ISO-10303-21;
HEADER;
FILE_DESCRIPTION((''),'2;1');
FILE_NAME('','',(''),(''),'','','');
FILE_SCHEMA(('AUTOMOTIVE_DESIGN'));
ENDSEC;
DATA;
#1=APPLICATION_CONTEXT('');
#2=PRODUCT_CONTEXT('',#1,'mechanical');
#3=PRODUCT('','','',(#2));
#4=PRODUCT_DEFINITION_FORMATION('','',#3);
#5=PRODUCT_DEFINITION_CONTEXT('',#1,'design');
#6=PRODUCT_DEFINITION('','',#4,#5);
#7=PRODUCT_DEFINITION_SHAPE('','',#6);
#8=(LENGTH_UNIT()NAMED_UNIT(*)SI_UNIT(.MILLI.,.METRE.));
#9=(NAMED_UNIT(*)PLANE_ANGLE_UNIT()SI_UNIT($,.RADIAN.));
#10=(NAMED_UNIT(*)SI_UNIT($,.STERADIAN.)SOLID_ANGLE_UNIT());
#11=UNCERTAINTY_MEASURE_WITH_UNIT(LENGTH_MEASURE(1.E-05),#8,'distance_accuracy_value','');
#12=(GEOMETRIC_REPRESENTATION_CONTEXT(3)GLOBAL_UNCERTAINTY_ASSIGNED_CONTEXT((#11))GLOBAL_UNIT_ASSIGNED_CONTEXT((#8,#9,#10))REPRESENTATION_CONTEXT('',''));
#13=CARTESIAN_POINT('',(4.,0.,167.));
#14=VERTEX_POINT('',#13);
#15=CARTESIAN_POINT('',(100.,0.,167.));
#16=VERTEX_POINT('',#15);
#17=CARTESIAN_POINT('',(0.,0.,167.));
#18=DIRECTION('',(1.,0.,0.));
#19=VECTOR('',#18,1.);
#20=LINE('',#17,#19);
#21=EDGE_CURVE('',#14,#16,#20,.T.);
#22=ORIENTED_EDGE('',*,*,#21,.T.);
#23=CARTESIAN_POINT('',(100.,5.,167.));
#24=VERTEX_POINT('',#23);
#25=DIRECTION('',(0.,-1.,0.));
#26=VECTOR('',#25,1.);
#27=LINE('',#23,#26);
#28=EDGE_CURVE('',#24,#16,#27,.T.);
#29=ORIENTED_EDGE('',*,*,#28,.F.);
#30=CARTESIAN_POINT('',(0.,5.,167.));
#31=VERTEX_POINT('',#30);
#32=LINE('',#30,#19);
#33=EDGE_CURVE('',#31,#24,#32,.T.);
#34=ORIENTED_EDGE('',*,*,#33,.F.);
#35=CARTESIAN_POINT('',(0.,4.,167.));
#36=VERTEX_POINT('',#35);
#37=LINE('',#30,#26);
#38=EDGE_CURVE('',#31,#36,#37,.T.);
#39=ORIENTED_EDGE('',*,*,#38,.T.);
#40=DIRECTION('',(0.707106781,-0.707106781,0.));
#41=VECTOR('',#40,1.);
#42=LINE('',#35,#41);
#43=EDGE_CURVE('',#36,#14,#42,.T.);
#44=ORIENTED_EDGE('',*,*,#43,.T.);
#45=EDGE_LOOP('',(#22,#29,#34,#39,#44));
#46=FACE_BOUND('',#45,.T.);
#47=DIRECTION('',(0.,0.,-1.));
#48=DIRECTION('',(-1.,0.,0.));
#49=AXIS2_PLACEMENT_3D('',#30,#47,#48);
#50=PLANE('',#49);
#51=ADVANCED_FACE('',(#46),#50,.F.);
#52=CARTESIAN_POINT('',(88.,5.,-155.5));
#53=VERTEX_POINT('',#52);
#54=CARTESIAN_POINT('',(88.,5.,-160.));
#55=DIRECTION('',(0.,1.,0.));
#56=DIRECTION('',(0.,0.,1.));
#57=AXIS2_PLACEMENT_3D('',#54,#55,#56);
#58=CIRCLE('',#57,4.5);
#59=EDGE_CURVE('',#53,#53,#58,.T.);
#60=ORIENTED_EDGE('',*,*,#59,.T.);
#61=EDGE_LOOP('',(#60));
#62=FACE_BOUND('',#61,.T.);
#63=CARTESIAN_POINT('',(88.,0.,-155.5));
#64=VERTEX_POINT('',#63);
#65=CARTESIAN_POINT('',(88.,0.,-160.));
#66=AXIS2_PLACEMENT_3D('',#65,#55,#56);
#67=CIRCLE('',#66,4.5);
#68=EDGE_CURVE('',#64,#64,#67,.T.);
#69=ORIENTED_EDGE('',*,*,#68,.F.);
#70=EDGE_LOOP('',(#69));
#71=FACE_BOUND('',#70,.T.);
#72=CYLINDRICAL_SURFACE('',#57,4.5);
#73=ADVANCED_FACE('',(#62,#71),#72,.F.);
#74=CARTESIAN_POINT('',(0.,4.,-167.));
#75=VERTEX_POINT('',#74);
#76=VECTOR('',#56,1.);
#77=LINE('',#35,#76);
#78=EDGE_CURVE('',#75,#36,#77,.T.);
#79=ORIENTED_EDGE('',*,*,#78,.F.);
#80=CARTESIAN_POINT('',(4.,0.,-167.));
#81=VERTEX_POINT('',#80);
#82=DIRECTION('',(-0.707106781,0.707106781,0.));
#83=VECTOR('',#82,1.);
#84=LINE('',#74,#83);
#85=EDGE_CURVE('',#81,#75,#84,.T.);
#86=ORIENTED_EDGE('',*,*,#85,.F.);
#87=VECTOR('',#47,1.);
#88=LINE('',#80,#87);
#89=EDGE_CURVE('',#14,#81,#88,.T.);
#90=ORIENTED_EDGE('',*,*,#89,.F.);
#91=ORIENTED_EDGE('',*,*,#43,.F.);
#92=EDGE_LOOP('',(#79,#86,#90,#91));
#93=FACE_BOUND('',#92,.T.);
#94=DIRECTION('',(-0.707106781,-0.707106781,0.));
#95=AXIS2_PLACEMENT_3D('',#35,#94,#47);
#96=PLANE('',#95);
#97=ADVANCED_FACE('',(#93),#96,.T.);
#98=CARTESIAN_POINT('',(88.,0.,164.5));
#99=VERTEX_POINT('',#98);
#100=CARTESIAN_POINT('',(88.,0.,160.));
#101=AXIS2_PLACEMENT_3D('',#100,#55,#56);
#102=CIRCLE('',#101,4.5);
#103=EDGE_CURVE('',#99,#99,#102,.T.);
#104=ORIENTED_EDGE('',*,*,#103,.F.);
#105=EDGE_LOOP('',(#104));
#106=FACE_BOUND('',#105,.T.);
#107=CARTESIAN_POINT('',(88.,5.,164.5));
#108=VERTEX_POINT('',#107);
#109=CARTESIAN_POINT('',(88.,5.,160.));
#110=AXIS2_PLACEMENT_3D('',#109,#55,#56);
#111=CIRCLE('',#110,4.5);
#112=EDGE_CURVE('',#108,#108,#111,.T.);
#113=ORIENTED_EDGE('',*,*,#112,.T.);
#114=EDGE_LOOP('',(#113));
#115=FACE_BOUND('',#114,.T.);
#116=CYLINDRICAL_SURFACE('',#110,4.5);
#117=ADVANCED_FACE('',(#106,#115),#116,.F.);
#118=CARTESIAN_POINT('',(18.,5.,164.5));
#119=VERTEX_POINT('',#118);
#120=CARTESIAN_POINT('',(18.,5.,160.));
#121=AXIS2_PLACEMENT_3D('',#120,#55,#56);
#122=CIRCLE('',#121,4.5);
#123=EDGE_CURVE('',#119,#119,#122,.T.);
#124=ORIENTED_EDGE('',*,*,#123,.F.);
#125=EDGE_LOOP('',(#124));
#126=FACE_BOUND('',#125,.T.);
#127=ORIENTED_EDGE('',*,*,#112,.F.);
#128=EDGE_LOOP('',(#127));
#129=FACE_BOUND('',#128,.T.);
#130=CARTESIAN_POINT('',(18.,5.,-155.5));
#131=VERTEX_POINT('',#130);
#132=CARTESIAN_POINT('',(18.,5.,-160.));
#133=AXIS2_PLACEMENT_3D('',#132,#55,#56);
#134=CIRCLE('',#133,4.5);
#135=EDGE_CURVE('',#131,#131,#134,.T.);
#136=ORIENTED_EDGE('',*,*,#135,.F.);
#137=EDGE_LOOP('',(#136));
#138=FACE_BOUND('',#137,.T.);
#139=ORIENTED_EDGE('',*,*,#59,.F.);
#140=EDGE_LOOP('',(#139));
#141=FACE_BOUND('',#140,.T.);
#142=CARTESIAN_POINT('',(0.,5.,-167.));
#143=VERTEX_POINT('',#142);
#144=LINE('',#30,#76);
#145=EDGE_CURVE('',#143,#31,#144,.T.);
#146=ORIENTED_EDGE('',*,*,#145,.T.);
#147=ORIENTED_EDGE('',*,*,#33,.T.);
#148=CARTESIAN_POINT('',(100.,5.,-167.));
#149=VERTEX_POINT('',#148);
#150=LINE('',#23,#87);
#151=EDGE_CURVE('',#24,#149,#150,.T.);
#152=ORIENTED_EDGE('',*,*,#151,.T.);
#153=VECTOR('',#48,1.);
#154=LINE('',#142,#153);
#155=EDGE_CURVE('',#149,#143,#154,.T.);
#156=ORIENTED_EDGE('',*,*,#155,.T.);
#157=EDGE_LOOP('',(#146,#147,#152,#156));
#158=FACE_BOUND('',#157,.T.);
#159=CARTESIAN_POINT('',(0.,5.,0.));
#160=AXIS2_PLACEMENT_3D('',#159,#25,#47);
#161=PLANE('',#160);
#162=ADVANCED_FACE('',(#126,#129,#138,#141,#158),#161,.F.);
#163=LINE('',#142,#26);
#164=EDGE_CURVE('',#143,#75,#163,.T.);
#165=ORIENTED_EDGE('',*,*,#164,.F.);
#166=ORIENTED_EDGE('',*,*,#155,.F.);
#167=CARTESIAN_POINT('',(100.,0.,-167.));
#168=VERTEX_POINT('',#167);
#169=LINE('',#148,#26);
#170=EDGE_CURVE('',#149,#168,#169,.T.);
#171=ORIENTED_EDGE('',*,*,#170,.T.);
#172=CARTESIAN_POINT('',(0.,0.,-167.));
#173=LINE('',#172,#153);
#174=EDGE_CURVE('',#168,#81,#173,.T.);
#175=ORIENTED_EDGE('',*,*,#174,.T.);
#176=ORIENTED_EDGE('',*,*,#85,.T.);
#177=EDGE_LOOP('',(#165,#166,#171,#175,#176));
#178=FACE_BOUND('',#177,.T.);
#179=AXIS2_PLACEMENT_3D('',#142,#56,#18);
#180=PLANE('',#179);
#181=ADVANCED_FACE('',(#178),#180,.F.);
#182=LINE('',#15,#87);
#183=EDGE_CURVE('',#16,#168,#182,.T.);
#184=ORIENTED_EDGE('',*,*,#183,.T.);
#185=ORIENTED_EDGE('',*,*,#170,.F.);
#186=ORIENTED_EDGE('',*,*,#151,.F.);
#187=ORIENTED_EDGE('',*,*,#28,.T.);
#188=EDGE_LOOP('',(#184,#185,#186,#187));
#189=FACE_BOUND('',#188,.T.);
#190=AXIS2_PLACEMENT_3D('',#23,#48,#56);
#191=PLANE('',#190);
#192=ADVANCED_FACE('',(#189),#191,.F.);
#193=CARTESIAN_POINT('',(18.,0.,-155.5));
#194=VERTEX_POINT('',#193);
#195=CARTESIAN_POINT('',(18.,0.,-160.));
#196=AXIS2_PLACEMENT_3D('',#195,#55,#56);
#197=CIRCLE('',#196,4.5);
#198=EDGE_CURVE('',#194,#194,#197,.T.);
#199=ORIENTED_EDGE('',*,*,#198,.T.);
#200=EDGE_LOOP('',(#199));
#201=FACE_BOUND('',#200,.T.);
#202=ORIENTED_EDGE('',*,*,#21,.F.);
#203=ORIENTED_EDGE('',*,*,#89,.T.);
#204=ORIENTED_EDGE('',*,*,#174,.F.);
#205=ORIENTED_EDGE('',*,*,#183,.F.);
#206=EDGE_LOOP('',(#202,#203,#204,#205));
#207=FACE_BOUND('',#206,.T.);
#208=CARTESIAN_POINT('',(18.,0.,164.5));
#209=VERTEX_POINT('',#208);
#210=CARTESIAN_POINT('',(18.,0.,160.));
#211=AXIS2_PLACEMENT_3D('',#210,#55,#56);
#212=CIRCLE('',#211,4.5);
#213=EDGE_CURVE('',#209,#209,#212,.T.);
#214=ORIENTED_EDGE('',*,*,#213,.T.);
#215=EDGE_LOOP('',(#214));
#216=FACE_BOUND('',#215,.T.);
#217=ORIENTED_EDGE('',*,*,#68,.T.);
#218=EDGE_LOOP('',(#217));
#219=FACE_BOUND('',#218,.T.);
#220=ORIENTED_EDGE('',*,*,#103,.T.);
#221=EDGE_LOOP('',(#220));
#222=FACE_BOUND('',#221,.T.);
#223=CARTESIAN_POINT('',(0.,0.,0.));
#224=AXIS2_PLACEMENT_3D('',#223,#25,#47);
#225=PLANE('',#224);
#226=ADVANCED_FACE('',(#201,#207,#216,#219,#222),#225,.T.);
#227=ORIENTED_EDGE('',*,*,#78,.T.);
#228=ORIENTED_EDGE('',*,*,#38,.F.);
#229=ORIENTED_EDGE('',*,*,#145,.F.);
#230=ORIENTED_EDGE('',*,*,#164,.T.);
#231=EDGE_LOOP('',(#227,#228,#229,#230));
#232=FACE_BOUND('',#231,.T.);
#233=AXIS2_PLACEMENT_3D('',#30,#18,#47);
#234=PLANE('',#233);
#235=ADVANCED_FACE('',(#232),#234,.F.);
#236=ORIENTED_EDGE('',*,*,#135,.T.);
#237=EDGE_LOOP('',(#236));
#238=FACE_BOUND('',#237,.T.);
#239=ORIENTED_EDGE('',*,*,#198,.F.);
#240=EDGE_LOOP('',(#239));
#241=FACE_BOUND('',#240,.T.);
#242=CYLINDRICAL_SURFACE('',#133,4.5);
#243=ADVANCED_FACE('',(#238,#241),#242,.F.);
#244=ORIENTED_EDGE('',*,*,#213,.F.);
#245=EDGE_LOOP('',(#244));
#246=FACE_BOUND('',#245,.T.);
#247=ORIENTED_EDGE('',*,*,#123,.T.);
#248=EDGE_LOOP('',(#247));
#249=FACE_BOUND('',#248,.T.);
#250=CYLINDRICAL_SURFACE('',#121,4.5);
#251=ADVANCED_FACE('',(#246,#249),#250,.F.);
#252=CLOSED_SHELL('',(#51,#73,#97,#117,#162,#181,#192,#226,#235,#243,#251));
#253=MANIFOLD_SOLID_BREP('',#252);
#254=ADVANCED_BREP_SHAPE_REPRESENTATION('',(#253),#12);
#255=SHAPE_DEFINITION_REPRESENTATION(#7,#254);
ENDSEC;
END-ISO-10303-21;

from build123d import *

# Parameters (mm, degrees)
SKIZZE10_W                      = 100
SKIZZE10_H                      = 334
AUFSATZ_LINEAR_AUSTRAGEN1_DEPTH = 5
FASE1_SIZE                      = 4
DURCHGANGSLOCH_F_R_M81_D        = 9


with BuildPart() as part:
    # Skizze10 → Aufsatz-Linear austragen1 (new body)
    with BuildSketch(Plane(origin=(0, 0, 0), x_dir=(1, 0, 0), z_dir=(0, 1, 0))):
        with Locations((50, 0)):
            Rectangle(SKIZZE10_W, SKIZZE10_H)
    extrude(amount=AUFSATZ_LINEAR_AUSTRAGEN1_DEPTH)

    # Fase1
    fase1_edges = [part.edges().sort_by_distance(p)[0] for p in [
        (0, 0, 0),
    ]]
    chamfer(fase1_edges, length=FASE1_SIZE)

    # Durchgangsloch für M81 (through all)
    with Locations(Plane(origin=(0, 5, 0), x_dir=(1, 0, 0), z_dir=(0, 1, 0))):
        with Locations((18, -160), (18, 160), (88, -160), (88, 160)):
            Hole(DURCHGANGSLOCH_F_R_M81_D / 2)


solid = part.part
